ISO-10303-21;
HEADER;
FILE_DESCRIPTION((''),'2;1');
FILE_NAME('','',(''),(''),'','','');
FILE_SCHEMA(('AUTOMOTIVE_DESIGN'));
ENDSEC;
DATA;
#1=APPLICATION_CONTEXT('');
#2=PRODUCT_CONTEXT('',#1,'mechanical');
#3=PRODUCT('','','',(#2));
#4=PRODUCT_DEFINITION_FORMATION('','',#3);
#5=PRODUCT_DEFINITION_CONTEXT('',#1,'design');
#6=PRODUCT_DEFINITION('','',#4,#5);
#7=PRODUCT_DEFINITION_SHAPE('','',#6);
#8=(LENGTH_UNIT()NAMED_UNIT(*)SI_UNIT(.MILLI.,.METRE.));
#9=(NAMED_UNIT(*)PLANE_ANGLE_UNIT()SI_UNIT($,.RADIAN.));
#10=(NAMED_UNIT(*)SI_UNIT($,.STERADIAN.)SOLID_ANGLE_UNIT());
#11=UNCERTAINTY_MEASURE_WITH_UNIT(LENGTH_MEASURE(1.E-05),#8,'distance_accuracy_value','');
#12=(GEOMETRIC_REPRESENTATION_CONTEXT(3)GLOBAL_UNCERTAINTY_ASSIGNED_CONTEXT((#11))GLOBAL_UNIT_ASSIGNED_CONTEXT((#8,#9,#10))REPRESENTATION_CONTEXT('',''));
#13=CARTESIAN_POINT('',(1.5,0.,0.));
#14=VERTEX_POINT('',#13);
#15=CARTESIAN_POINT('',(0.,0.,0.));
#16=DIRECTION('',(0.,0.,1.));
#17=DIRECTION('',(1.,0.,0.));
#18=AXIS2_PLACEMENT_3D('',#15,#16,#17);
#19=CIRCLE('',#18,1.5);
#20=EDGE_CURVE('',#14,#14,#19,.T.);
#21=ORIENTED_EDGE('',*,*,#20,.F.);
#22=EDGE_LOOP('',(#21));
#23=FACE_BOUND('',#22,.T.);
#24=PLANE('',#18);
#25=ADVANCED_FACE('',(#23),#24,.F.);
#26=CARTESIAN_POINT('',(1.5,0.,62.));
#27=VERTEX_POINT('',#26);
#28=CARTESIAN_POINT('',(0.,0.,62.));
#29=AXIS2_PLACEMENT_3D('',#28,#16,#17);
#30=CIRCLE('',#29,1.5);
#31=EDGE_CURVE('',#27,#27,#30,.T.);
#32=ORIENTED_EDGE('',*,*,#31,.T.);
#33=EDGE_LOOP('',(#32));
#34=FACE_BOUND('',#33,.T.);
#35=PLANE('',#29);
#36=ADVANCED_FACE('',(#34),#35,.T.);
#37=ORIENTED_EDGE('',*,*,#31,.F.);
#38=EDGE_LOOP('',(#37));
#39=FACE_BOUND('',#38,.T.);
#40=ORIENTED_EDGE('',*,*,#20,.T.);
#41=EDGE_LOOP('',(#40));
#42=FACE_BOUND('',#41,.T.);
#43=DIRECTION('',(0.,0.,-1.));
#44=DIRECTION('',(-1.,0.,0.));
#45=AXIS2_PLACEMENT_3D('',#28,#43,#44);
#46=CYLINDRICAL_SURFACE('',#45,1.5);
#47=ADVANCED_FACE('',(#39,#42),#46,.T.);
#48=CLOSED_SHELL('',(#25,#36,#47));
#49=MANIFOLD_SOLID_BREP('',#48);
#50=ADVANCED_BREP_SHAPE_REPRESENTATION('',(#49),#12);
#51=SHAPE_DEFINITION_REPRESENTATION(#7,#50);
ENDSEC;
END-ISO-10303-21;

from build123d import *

# Parameters (mm, degrees)
ESQUISSE1_R        = 1.5
BOSS_EXTRU_1_DEPTH = 62


with BuildPart() as part:
    # Esquisse1 → Boss.-Extru.1 (new body)
    with BuildSketch(Plane.XY):
        Circle(ESQUISSE1_R)
    extrude(amount=BOSS_EXTRU_1_DEPTH)


solid = part.part
